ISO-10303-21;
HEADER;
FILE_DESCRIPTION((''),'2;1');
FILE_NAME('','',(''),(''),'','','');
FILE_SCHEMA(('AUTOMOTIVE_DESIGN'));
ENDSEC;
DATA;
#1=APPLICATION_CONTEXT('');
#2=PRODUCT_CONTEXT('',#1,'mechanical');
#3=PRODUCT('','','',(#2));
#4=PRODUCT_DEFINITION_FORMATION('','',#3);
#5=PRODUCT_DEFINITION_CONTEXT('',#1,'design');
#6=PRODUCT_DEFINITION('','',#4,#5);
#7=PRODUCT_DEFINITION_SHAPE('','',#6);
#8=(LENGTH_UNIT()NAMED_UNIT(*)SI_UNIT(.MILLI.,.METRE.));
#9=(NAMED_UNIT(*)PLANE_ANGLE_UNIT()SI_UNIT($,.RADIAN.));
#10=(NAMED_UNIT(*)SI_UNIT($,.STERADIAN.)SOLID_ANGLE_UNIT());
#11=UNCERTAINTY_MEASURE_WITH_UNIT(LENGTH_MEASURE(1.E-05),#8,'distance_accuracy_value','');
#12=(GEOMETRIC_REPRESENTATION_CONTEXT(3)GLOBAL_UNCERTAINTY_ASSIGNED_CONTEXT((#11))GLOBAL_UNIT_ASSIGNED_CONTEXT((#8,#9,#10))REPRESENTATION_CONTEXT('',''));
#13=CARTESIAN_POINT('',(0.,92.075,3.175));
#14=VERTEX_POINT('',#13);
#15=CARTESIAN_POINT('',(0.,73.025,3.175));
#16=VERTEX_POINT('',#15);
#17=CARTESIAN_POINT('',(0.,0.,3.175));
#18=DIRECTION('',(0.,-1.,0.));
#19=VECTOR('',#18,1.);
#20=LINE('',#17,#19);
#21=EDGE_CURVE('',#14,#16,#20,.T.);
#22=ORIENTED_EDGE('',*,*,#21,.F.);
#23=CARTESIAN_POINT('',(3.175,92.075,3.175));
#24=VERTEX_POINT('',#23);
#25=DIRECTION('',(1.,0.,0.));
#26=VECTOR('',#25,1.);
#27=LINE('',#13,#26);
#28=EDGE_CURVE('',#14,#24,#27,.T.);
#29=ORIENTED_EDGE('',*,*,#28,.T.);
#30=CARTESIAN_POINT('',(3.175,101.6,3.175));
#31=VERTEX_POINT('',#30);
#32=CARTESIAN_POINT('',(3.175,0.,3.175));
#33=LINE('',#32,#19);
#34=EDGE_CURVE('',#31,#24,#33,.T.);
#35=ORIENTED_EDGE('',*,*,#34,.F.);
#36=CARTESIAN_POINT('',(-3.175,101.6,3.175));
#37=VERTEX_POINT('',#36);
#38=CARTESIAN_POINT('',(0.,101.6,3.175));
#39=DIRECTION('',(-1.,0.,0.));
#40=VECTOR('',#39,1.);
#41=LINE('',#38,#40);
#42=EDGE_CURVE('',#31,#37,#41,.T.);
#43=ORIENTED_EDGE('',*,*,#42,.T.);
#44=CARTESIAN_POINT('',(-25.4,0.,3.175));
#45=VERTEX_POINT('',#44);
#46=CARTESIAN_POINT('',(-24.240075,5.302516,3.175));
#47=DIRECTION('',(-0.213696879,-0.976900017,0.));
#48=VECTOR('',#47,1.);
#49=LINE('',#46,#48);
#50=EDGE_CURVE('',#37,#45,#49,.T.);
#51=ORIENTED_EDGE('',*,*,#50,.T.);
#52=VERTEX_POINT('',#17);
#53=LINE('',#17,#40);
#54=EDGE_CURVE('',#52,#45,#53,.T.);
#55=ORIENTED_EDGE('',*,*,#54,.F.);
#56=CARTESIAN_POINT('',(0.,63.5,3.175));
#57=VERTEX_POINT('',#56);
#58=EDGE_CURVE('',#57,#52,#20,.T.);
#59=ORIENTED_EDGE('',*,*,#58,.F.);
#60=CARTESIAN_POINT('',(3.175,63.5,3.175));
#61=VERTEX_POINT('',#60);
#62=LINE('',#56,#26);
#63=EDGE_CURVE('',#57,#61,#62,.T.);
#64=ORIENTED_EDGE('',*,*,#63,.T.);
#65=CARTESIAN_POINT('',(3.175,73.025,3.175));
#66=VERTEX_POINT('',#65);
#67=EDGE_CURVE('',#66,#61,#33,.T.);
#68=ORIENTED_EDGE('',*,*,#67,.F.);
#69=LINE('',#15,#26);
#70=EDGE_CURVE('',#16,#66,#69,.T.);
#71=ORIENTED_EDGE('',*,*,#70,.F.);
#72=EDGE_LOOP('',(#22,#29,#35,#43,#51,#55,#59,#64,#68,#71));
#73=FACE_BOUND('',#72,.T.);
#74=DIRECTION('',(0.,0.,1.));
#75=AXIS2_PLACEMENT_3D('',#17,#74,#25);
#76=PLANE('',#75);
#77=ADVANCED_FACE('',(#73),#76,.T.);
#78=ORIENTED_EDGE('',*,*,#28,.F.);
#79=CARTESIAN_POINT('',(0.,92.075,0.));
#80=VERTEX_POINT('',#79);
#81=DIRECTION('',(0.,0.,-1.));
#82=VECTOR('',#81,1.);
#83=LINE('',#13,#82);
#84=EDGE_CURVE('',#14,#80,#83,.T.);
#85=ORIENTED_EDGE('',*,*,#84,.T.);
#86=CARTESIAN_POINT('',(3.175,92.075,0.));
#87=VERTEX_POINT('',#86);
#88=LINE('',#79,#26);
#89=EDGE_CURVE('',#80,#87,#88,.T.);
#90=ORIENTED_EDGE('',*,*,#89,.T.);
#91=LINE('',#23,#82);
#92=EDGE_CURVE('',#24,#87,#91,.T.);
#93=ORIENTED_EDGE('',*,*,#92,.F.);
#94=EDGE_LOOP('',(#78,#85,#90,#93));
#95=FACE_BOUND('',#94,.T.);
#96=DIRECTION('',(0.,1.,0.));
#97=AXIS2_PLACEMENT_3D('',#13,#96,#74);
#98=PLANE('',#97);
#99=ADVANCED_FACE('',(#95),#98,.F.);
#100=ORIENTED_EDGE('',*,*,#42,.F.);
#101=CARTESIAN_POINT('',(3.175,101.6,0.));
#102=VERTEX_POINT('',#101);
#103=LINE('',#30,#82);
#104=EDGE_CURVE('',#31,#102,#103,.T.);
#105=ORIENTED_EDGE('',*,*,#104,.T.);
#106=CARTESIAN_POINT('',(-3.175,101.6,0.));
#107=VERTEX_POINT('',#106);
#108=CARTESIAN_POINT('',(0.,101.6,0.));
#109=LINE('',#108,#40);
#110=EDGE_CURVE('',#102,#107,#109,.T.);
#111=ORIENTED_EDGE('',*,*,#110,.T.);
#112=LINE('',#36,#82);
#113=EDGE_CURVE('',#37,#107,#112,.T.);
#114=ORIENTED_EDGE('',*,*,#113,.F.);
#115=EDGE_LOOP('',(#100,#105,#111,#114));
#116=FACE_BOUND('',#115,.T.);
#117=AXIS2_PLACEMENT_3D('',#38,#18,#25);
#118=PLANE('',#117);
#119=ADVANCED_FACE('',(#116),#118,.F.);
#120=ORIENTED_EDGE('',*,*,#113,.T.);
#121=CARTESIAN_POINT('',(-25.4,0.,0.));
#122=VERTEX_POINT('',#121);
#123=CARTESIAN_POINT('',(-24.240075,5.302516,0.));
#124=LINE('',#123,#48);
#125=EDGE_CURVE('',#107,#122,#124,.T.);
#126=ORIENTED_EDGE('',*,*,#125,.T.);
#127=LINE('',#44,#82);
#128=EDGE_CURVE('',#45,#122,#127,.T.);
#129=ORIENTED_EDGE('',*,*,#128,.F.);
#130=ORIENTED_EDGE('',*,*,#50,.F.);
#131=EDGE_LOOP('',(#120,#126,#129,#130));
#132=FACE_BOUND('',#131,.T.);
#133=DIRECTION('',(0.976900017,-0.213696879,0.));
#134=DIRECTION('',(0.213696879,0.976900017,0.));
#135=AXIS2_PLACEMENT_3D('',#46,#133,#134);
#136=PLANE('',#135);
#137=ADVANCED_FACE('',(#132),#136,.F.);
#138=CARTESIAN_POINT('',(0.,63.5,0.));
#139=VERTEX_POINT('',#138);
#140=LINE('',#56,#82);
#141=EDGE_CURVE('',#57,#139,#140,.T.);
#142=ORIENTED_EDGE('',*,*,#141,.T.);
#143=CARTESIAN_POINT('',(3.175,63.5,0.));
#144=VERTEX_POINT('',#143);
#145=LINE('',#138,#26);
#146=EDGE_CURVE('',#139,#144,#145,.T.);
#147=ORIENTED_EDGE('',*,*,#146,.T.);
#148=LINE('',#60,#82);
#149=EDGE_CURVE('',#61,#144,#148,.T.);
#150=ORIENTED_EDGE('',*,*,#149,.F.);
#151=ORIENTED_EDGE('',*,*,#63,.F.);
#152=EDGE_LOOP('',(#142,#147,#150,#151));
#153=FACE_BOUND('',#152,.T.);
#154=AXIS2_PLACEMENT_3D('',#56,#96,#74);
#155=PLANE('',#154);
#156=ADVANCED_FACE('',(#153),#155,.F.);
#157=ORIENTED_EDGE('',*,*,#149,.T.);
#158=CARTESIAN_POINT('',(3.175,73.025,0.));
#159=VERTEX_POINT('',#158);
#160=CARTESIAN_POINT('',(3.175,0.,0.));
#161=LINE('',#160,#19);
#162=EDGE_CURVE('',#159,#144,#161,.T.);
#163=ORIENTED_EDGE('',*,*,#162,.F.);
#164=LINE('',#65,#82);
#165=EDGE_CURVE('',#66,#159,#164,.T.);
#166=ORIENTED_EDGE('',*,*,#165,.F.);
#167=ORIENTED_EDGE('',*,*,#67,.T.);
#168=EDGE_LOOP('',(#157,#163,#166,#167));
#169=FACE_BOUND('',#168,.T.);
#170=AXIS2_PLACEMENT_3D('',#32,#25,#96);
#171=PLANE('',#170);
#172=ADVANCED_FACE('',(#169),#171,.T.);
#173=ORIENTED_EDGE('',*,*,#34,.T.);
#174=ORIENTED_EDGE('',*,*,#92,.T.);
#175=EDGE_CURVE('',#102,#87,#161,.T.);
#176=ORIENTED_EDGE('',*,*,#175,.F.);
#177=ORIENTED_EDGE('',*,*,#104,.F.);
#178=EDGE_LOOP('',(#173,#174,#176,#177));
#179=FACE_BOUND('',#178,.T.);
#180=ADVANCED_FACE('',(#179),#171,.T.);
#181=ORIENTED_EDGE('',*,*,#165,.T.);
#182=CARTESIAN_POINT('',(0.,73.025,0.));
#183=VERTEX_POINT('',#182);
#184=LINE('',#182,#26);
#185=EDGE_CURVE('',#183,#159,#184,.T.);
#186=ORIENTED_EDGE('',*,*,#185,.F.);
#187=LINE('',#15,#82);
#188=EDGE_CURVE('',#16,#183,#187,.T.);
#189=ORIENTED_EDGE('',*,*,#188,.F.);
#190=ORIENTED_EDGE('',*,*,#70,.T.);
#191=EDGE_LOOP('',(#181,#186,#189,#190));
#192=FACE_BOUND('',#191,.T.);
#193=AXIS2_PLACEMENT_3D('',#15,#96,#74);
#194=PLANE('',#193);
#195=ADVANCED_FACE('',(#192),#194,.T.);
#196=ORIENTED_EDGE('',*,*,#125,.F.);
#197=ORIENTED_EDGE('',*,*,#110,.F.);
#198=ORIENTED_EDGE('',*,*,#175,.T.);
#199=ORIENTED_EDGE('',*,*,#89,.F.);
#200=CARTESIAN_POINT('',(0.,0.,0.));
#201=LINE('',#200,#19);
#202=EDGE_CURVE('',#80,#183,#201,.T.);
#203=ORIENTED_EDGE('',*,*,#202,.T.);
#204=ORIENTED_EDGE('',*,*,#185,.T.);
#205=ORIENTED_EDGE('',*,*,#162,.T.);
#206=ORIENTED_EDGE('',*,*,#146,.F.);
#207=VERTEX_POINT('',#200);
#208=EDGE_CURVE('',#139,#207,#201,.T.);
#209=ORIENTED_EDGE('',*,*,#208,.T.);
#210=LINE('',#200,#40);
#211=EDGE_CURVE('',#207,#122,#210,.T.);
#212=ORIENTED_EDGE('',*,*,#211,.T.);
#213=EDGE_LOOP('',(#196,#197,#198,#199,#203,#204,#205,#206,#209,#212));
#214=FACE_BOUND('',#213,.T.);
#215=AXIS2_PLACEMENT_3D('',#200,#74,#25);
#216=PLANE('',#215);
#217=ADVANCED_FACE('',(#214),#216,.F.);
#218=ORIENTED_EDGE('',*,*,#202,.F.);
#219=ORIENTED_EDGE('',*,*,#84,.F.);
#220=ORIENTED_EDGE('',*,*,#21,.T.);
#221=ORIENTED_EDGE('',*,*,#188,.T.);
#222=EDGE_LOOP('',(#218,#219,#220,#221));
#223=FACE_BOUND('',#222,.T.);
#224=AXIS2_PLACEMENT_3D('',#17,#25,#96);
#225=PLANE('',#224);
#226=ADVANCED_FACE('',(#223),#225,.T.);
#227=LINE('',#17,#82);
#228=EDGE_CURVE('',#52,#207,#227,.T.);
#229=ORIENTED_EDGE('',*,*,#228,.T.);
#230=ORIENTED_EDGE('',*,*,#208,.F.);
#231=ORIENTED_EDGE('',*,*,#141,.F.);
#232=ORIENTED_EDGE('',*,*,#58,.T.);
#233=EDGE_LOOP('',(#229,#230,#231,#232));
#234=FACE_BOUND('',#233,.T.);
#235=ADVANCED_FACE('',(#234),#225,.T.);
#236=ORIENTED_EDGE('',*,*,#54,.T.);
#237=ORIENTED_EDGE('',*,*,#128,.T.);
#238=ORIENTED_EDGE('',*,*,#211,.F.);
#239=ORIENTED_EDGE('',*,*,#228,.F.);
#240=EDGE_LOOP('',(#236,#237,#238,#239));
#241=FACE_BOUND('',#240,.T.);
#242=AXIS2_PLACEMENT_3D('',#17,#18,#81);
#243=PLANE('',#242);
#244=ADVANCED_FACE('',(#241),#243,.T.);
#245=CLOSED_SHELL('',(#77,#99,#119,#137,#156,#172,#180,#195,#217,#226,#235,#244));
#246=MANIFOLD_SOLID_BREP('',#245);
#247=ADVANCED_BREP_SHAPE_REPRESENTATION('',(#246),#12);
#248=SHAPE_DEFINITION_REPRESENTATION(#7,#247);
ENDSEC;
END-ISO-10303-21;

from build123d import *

# Parameters (mm, degrees)
SKETCH1_W           = 3.175
SKETCH1_H           = 9.525
BOSS_EXTRUDE1_DEPTH = 3.175


with BuildPart() as part:
    # Sketch1 → Boss-Extrude1 (new body)
    with BuildSketch(Plane.XY):
        Polygon((0, 101.6), (-3.175, 101.6), (-25.4, 0), (0, 0), align=None)
        with Locations((1.5875, 68.2625)):
            Rectangle(SKETCH1_W, SKETCH1_H)
        with Locations((1.5875, 96.8375)):
            Rectangle(SKETCH1_W, SKETCH1_H)
    extrude(amount=BOSS_EXTRUDE1_DEPTH)


solid = part.part
